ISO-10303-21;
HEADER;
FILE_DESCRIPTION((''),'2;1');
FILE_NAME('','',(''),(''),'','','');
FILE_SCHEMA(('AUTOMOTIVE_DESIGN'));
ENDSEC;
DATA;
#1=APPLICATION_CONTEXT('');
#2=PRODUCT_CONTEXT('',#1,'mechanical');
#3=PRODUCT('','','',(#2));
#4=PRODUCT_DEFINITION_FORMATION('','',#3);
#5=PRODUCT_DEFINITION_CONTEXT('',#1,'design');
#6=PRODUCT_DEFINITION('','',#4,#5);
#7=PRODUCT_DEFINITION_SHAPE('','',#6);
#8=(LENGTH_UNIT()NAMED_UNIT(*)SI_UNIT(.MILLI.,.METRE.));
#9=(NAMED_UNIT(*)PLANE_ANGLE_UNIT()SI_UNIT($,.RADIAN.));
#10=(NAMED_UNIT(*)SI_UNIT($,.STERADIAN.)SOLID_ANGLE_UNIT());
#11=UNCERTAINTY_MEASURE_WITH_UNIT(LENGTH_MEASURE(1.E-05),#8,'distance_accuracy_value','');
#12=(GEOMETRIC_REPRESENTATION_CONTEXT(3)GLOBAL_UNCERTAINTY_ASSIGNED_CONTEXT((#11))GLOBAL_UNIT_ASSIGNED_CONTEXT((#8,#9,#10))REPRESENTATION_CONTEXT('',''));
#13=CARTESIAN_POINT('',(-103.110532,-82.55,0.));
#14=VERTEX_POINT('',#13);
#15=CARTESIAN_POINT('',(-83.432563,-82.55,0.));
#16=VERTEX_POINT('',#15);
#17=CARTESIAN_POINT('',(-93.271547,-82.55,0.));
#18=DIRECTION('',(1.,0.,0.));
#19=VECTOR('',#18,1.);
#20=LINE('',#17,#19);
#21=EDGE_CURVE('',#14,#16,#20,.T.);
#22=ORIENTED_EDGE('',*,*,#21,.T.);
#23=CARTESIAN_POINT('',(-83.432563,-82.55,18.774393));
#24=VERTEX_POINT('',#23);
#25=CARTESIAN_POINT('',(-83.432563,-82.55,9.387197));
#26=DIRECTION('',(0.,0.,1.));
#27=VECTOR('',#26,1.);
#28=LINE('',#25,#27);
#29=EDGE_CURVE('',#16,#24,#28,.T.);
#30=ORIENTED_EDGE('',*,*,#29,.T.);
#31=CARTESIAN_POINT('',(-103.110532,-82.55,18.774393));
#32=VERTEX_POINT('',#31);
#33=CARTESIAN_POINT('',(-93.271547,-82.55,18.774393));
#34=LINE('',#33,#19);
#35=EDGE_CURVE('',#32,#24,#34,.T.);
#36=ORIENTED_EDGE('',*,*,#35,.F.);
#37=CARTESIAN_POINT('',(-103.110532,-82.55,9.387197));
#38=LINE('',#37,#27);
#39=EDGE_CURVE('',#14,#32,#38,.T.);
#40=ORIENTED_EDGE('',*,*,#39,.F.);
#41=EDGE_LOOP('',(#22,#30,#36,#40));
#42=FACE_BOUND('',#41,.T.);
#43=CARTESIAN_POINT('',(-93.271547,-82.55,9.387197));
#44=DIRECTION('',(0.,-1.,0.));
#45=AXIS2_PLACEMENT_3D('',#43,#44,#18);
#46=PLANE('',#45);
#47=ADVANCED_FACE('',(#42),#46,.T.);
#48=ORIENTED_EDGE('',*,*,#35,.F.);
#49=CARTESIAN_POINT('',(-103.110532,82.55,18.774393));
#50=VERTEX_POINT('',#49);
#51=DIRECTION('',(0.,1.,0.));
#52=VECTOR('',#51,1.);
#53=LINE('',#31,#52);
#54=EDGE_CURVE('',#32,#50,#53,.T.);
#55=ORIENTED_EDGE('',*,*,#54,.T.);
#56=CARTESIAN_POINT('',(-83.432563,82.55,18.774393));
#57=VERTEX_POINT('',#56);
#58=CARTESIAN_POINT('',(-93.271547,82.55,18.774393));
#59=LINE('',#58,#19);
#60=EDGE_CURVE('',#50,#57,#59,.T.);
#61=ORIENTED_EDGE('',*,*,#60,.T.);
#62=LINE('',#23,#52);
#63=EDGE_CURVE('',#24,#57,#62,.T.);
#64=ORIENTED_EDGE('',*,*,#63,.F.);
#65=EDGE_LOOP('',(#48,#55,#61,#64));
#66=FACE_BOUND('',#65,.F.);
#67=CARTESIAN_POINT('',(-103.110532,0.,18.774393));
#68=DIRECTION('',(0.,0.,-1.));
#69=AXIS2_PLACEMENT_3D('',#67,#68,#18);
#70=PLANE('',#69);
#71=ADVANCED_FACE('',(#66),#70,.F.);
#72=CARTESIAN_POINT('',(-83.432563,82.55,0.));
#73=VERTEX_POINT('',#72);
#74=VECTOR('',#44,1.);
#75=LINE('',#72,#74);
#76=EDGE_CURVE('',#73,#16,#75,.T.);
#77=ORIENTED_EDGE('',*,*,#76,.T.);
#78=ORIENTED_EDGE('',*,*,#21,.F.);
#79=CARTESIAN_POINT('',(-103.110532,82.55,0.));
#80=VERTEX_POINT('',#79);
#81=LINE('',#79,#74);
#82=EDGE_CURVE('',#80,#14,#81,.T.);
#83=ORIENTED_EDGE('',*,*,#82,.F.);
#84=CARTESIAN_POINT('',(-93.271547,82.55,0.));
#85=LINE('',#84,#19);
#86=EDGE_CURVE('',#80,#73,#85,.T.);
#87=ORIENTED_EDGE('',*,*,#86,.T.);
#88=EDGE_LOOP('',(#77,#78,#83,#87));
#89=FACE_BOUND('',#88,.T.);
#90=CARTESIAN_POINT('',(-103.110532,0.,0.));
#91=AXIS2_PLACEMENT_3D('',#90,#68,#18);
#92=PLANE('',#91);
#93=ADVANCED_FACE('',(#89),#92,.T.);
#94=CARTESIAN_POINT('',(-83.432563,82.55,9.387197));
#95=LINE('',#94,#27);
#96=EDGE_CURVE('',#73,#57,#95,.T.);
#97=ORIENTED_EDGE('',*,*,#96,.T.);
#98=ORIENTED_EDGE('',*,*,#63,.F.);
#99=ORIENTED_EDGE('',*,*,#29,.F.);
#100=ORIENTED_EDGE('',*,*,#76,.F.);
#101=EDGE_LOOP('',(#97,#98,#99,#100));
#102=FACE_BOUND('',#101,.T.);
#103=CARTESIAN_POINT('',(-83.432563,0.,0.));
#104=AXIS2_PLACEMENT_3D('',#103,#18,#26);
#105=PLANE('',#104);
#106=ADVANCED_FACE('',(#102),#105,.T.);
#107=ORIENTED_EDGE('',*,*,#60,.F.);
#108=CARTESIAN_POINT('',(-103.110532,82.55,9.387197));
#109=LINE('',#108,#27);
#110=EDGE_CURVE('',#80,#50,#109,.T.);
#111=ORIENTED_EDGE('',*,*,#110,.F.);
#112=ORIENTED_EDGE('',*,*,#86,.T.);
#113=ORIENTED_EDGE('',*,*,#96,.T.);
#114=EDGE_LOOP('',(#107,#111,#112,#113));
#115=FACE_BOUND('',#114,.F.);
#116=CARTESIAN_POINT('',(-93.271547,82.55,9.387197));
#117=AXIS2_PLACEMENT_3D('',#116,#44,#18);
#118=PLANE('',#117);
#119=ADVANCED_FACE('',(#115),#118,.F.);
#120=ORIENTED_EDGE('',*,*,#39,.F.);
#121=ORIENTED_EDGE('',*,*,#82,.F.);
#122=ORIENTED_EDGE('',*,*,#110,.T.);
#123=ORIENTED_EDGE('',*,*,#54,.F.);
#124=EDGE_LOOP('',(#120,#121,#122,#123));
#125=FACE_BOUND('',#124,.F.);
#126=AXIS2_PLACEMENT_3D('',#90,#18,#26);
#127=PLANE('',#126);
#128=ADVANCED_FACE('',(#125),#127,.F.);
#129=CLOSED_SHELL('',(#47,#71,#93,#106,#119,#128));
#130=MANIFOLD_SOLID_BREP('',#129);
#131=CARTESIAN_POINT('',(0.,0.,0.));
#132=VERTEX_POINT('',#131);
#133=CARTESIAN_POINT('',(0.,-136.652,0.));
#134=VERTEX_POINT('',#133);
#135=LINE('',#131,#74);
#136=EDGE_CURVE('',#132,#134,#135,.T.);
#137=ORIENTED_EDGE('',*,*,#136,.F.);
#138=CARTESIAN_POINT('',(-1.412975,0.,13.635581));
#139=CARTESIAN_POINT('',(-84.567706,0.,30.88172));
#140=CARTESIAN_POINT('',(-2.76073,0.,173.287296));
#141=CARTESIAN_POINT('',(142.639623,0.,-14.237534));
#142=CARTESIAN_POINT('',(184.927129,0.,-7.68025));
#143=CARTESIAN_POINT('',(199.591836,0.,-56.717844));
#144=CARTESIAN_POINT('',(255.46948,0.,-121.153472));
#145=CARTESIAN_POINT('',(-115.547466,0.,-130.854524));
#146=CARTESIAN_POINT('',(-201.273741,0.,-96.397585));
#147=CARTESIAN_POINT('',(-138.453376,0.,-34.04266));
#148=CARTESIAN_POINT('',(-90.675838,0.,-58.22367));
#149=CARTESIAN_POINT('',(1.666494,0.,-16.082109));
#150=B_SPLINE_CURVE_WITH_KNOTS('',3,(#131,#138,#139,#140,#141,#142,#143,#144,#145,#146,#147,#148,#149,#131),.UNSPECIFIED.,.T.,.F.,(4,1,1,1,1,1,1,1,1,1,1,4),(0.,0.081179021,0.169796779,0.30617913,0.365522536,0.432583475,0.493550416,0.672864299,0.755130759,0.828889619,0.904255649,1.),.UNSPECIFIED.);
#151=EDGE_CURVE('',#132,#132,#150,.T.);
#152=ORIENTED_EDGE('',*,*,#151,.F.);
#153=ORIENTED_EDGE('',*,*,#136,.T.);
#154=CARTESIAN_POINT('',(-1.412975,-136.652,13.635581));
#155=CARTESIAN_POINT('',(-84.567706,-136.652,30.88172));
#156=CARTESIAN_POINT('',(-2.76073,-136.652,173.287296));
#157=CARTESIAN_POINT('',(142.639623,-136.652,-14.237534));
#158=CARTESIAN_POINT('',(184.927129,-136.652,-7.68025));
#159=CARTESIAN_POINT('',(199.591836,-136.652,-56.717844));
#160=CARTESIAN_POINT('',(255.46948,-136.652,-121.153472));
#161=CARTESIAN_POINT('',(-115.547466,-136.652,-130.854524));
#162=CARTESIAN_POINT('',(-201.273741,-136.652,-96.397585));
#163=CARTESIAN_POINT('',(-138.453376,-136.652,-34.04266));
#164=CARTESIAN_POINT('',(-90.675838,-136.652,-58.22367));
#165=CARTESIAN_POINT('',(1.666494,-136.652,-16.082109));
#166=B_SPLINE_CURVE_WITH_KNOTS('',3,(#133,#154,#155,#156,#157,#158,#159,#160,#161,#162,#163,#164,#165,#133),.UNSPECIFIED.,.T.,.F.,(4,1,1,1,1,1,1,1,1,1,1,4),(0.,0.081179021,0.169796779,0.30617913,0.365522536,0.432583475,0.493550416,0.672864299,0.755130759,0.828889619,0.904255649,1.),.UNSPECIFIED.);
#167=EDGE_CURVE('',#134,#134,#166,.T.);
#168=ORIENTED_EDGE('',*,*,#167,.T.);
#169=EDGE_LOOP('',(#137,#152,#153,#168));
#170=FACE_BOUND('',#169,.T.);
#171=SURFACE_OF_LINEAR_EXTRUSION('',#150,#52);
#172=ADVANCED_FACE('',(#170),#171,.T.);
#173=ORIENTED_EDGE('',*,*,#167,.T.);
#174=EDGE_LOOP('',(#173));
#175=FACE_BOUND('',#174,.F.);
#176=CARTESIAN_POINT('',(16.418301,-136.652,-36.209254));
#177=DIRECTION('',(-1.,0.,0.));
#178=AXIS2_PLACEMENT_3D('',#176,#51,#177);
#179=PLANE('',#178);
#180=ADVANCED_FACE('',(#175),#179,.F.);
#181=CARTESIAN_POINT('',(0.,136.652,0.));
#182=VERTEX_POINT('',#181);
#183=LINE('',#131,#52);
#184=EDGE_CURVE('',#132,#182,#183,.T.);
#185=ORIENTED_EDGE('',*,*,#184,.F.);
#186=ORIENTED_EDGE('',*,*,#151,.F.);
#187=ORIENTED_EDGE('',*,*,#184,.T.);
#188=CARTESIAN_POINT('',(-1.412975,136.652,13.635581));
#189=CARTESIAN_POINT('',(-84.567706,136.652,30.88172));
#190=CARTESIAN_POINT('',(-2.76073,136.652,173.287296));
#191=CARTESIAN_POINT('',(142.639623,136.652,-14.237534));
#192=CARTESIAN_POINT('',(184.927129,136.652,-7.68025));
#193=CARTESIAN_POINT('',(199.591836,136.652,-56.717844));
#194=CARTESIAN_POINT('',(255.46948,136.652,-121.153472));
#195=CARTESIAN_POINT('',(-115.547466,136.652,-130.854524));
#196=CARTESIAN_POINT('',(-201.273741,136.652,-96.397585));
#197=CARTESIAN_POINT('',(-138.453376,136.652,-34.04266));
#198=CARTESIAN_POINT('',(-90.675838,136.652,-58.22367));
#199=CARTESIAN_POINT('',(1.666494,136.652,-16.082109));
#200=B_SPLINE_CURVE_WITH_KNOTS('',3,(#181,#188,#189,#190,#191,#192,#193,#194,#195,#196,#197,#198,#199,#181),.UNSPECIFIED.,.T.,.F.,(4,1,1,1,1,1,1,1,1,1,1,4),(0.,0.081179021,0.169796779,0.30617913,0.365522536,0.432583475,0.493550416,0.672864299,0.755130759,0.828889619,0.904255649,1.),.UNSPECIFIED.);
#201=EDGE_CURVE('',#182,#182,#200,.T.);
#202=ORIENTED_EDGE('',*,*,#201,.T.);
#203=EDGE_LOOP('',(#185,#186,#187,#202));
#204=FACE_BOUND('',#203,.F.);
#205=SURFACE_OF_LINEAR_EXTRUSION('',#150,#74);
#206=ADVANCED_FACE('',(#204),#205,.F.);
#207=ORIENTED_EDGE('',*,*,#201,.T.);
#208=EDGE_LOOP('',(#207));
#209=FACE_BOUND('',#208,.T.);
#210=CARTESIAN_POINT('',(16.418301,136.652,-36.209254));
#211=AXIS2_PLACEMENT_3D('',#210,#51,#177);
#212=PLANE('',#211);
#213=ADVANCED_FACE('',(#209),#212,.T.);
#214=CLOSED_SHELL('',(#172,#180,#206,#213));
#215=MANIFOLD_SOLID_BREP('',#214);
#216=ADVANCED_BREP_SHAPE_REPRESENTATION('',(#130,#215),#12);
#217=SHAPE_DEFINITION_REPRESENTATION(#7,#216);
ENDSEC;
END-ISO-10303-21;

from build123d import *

# Parameters (mm, degrees)
F0_W     = 19.677969384
F0_H     = 18.7743930651
F1_DEPTH = 82.55
F2_DEPTH = 136.652


with BuildPart() as f1:
    # F0 (on Front) → F1 (new body, symmetric)
    with BuildSketch(Plane.XZ):
        with Locations((-93.2715473412, 9.3871965325)):
            Rectangle(F0_W, F0_H)
    extrude(amount=F1_DEPTH, both=True)


with BuildPart() as f2:
    # F0 (on Front) → F2 (new body, symmetric)
    with BuildSketch(Plane.XZ):
        with BuildLine():
            add(Edge.make_bspline(
                [(0, 0), (-1.4129747328, 13.6355814893), (-84.5677055383, 30.881720401), (-2.7607303557, 173.2872957717), (142.6396231891, -14.2375342261), (184.9271293411, -7.6802497535), (199.591835793, -56.7178436547), (255.4694803744, -121.1534721043), (-115.5474660748, -130.8545236816), (-201.2737406539, -96.3975850298), (-138.4533764547, -34.0426596946), (-102.2288922993, -52.3764762447), (-55.1826823001, -38.1780734752), (-41.1240082798, -32.2947778382)],
                knots=[0, 0, 0, 0, 0.0811790214, 0.1697967787, 0.3061791298, 0.3655225363, 0.4325834752, 0.4935504158, 0.6728642987, 0.7551307592, 0.828889619, 0.9042556488, 0.940788334, 0.940788334, 0.940788334, 0.940788334], degree=3))
            add(Edge.make_bspline(
                [(-41.1240082798, -32.2947778382), (-18.3379057005, -22.7592144063), (1.0306183361, -9.9457406982), (0, 0)],
                knots=[0.940788334, 0.940788334, 0.940788334, 0.940788334, 1, 1, 1, 1], degree=3))
        make_face()
    extrude(amount=F2_DEPTH, both=True)


solid = Compound([f1.part, f2.part])
